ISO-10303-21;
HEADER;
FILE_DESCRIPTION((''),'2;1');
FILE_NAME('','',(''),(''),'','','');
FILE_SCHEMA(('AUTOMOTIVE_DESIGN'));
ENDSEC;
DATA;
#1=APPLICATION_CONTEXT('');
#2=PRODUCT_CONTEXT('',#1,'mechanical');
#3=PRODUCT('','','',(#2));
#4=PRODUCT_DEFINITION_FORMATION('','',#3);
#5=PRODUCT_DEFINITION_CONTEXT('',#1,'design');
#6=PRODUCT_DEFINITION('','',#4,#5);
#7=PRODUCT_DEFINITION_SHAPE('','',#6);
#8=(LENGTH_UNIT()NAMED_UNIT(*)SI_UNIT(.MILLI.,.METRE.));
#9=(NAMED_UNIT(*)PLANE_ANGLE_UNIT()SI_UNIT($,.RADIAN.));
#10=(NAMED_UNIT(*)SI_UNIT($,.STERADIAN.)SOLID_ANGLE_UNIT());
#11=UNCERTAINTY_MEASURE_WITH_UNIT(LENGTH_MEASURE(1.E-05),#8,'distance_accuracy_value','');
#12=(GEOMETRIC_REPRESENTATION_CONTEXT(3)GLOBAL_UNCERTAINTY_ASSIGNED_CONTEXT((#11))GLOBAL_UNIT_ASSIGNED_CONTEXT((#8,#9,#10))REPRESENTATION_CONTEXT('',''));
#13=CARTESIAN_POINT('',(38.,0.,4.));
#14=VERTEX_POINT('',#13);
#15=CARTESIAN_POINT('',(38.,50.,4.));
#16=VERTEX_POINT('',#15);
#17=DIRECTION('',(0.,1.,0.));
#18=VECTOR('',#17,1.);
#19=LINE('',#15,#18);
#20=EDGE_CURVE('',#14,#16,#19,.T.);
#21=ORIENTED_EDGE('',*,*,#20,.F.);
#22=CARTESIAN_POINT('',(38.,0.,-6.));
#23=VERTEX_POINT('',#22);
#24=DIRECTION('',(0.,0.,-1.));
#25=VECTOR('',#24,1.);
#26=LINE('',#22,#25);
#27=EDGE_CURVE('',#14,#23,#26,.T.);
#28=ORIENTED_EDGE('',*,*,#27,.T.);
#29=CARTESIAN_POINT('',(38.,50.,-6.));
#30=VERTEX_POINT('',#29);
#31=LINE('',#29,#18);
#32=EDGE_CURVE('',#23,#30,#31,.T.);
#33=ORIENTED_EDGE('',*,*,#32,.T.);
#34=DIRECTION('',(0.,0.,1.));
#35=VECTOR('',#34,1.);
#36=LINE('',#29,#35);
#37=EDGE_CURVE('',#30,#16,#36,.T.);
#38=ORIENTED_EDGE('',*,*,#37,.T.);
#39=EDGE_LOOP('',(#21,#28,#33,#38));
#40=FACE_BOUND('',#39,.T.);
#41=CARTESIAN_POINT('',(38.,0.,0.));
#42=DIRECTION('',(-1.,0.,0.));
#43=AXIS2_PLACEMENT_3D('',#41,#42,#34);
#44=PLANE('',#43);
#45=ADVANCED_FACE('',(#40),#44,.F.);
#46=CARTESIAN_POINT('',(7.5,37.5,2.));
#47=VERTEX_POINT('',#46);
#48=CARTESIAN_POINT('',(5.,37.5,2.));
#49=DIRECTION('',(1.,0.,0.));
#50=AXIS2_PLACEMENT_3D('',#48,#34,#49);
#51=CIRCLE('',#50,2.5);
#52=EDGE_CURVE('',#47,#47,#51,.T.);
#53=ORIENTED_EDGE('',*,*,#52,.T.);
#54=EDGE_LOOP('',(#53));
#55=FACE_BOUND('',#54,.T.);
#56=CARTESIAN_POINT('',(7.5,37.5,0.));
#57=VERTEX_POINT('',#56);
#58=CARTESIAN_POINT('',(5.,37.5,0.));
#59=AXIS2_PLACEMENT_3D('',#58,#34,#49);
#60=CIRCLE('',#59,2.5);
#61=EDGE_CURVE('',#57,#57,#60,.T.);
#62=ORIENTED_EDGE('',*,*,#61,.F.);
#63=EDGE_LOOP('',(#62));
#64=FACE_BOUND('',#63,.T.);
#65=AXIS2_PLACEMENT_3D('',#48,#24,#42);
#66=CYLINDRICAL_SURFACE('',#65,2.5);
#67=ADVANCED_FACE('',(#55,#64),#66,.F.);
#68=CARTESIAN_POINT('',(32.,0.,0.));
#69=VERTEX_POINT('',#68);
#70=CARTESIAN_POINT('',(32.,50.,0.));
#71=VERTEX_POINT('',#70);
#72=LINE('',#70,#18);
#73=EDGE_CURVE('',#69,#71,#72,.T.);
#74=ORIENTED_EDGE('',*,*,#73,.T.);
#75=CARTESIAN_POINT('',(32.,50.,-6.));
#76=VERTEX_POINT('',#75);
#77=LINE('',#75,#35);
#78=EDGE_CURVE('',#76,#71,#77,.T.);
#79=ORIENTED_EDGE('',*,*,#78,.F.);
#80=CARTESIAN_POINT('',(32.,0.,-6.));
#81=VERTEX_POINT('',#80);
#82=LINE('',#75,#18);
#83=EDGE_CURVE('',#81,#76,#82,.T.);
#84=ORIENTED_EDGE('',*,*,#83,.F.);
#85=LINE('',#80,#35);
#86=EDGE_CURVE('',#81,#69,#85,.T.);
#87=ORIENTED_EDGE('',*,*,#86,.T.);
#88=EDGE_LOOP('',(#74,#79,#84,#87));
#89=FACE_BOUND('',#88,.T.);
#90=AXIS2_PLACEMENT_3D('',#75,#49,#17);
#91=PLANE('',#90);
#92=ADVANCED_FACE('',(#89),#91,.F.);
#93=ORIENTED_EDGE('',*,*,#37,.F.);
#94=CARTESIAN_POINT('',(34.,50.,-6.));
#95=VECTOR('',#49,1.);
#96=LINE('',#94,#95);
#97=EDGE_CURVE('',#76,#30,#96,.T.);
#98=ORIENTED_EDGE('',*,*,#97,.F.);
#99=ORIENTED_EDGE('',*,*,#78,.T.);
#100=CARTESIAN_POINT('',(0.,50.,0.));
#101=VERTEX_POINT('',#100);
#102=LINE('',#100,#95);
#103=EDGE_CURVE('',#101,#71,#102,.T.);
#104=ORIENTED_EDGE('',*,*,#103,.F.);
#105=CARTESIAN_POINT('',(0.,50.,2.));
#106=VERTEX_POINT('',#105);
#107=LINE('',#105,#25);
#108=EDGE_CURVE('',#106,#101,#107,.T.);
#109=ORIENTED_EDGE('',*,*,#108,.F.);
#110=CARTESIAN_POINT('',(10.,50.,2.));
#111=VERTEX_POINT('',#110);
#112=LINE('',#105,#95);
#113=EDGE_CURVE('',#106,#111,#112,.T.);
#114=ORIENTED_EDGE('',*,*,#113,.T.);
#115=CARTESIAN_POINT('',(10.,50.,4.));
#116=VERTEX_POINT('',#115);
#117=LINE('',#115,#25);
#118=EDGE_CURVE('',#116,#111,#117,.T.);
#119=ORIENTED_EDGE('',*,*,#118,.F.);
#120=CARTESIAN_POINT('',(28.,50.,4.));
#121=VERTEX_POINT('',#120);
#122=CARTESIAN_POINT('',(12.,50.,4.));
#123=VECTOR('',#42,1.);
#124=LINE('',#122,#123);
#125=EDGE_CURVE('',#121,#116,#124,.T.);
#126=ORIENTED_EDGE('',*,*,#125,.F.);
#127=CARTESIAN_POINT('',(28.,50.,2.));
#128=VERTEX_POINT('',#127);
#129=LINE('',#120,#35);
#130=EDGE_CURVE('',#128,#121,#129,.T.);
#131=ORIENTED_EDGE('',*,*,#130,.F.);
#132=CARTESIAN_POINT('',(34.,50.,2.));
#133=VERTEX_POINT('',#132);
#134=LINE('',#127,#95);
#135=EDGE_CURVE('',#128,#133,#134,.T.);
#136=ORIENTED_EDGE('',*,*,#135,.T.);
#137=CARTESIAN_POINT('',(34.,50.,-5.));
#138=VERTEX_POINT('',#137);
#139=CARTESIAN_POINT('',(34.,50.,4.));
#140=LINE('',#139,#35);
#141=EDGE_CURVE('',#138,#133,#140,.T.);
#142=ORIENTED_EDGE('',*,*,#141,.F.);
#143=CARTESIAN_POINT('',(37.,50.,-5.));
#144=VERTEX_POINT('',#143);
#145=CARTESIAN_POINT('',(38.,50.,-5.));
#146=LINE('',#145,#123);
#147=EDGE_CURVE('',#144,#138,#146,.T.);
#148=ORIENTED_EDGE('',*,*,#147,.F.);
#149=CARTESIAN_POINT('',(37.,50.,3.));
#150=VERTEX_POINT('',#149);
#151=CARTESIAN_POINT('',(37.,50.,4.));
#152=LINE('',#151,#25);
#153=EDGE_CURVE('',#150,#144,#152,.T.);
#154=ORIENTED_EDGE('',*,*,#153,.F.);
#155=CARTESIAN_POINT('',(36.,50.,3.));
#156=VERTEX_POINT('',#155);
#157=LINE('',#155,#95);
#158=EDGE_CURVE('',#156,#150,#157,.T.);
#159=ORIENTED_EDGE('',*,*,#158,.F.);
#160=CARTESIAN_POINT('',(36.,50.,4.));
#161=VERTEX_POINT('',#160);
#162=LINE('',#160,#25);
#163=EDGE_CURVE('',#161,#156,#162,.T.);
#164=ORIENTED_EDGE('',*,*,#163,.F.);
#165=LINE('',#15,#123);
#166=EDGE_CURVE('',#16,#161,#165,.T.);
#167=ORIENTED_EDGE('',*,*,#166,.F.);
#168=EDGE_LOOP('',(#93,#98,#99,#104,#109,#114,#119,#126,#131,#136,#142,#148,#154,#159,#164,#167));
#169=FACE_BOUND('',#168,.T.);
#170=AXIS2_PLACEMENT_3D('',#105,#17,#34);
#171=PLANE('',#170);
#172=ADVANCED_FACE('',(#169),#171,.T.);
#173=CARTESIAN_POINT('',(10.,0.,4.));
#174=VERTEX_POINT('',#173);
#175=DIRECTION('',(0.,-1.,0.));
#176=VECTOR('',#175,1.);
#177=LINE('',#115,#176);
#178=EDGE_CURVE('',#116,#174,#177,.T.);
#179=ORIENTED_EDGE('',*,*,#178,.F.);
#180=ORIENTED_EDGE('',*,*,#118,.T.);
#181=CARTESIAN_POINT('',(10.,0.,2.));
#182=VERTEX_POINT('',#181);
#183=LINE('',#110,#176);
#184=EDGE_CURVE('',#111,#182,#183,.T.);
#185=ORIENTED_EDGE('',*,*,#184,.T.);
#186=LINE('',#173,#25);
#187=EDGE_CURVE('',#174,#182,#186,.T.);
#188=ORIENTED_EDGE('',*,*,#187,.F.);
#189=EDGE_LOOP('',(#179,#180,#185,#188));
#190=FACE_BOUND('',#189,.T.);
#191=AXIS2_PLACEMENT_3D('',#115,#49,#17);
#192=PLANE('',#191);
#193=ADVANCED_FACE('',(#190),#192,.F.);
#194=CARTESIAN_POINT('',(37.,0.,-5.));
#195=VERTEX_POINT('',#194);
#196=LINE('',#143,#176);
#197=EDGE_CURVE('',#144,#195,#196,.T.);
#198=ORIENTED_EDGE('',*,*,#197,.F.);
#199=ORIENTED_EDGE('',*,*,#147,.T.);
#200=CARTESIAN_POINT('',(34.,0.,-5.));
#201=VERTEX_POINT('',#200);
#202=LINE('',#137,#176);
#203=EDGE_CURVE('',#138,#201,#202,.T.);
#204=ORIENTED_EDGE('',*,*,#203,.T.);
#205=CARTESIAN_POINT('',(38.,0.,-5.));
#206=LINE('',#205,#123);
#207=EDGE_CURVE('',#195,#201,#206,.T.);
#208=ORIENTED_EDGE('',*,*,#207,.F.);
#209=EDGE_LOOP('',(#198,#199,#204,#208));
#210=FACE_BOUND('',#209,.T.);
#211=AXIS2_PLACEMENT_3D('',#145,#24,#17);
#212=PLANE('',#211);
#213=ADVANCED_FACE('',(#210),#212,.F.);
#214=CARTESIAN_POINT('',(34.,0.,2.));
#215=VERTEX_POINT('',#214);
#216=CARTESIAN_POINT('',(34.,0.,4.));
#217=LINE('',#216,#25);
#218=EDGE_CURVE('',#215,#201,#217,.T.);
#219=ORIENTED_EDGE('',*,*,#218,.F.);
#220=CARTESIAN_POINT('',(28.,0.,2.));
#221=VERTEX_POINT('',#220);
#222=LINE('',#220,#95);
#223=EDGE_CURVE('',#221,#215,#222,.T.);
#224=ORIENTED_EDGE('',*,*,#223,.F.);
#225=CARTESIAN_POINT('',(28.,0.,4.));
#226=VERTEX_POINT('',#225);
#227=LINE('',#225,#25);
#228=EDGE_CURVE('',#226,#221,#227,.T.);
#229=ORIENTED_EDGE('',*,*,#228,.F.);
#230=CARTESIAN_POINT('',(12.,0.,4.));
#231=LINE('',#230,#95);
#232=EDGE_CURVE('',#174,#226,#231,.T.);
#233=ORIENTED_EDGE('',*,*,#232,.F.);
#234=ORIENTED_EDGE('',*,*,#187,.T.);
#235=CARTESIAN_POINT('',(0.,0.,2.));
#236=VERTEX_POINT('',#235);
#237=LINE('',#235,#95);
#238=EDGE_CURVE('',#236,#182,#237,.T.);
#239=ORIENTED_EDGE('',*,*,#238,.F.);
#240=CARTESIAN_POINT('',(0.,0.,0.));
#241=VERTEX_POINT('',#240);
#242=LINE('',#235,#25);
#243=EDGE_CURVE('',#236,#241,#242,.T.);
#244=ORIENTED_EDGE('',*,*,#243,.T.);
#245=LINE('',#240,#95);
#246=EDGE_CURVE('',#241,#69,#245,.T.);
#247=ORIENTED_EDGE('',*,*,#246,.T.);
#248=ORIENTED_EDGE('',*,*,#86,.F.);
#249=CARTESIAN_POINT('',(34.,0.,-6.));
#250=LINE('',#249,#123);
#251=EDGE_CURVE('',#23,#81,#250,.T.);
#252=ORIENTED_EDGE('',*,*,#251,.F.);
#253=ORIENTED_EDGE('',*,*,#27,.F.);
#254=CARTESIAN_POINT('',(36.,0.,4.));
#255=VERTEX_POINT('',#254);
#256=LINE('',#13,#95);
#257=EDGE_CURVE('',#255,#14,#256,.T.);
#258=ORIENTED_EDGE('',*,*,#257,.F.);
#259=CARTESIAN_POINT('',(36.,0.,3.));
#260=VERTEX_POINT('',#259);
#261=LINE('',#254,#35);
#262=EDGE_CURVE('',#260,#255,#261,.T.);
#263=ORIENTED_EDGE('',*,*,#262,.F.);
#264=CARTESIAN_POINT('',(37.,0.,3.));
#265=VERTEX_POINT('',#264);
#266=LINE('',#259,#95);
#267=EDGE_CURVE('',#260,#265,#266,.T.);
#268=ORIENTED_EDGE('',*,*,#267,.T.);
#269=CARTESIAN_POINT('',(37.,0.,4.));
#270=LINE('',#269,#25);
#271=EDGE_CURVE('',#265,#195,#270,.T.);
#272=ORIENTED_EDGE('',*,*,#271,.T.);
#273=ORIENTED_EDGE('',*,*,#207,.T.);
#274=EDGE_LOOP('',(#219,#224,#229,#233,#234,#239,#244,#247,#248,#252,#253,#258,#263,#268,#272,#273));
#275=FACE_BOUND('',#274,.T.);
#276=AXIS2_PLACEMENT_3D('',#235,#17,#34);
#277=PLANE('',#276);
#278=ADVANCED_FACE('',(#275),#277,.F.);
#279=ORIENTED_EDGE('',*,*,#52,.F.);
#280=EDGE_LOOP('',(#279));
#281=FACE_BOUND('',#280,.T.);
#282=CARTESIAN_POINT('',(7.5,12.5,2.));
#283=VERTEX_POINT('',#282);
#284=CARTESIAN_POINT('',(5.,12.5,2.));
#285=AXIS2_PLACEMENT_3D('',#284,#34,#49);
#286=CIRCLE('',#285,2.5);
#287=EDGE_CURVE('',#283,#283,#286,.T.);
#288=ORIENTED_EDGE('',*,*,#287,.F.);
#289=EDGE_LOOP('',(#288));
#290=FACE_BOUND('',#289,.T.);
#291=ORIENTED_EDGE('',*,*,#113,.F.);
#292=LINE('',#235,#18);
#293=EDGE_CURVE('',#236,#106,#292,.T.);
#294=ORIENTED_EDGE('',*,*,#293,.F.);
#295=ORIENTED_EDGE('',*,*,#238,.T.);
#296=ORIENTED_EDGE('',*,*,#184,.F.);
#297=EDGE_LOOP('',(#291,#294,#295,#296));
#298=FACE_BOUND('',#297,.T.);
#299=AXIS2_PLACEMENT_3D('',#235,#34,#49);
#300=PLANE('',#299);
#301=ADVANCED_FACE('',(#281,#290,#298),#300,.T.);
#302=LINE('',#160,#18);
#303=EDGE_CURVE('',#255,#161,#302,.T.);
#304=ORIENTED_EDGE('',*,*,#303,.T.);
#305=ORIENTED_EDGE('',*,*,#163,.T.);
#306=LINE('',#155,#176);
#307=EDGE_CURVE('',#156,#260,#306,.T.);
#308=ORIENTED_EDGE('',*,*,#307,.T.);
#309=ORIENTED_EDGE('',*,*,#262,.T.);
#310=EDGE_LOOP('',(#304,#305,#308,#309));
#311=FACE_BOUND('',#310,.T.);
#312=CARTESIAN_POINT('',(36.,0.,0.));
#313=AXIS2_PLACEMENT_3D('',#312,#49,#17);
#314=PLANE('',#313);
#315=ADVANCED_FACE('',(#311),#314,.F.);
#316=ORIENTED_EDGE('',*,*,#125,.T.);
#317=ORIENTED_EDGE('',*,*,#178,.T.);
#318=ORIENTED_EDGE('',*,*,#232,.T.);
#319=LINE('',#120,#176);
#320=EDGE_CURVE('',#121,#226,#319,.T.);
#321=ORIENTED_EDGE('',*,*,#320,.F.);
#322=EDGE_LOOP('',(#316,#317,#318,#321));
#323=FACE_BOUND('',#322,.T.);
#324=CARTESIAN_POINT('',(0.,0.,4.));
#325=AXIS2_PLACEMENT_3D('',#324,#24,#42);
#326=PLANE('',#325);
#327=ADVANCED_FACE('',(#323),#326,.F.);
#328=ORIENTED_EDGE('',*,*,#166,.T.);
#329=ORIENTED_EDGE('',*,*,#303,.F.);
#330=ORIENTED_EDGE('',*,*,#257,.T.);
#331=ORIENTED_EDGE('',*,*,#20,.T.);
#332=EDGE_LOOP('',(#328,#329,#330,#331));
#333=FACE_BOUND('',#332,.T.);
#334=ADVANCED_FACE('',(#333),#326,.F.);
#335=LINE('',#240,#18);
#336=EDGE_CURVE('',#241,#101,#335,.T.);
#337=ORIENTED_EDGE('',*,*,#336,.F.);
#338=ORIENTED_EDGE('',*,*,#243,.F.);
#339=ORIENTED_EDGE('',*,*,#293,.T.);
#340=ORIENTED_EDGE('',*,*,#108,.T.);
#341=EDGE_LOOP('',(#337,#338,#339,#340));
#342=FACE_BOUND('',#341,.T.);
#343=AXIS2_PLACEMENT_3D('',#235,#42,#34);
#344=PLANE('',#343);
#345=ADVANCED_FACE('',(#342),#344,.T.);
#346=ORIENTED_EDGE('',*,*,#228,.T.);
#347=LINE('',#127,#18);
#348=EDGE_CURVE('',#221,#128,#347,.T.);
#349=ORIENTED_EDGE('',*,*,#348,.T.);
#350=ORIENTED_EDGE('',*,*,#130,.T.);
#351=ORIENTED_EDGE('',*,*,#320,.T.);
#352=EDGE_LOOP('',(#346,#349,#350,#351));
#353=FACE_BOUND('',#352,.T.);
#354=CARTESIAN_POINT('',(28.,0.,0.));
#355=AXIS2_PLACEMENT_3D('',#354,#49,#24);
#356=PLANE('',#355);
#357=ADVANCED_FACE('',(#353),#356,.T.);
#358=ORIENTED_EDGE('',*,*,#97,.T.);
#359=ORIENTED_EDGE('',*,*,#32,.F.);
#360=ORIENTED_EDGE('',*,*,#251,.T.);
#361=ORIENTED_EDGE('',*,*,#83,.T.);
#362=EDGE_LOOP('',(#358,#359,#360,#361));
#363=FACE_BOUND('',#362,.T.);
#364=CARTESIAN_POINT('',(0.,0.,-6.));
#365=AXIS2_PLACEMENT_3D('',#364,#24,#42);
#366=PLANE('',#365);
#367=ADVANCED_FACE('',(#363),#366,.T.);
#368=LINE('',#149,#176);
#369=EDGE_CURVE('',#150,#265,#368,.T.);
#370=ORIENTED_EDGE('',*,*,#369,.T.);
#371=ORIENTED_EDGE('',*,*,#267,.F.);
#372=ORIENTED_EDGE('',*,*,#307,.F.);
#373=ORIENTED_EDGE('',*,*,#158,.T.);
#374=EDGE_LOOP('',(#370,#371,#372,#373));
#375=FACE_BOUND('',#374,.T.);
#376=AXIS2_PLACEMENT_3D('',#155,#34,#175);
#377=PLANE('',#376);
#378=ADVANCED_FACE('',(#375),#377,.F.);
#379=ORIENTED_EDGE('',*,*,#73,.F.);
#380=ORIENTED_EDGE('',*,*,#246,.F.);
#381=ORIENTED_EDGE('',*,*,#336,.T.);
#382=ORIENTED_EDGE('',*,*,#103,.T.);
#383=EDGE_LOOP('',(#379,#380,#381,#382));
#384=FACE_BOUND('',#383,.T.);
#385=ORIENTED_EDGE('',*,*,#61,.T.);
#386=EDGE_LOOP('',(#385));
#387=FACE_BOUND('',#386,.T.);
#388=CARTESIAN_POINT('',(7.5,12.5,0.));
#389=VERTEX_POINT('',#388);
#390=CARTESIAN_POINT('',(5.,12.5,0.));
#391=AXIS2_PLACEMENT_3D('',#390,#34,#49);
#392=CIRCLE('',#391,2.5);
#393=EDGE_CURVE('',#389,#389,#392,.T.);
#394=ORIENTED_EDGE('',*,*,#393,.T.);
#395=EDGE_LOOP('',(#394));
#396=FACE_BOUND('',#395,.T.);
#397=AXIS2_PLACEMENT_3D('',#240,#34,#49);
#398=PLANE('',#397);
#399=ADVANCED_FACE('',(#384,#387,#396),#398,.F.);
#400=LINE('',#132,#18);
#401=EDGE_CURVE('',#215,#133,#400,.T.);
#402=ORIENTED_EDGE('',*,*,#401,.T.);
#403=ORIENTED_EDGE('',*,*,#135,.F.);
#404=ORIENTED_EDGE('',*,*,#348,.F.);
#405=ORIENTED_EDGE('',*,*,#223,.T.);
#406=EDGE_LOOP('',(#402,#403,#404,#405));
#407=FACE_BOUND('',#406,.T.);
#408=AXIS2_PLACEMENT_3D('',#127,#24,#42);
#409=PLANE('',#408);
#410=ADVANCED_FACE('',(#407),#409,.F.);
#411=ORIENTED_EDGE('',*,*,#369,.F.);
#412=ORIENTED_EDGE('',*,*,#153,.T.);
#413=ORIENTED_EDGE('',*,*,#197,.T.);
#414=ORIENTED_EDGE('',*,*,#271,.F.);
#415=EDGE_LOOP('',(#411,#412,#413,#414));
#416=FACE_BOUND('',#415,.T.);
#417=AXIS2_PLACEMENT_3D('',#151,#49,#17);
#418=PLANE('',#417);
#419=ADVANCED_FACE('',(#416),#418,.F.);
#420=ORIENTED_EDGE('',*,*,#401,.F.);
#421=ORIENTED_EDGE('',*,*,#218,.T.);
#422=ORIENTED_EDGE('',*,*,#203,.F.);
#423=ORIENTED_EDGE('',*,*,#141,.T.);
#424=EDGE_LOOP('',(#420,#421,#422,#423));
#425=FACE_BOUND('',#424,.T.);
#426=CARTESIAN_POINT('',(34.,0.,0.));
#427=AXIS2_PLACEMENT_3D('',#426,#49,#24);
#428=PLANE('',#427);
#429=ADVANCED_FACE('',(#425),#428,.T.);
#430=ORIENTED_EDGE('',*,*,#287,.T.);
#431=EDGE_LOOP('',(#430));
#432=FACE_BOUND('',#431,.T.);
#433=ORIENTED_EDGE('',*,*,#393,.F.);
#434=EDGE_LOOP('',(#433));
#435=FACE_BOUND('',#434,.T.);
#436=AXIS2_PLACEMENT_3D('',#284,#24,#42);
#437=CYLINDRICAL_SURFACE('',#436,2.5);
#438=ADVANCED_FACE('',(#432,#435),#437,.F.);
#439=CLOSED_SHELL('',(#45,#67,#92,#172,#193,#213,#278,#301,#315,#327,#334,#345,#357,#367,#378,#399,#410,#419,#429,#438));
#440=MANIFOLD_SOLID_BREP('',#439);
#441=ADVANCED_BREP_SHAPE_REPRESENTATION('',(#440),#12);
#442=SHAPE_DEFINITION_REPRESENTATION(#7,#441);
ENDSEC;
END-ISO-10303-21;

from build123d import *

# Parameters (mm, degrees)
ESQUISSE1_W             = 10
ESQUISSE1_H             = 50
ESQUISSE1_R             = 2.5
ESQUISSE1_W_2           = 2
BOSS_EXTRU_1_DEPTH      = 2
ESQUISSE2_W             = 2
ESQUISSE2_H             = 50
BOSS_EXTRU_2_DEPTH      = 2
ESQUISSE3_W             = 4
ESQUISSE3_H             = 50
BOSS_EXTRU_3_DEPTH      = 22
ESQUISSE4_W             = 2
ESQUISSE4_H             = 50
BOSS_EXTRU_4_DEPTH      = 6
ESQUISSE5_W             = 2
ESQUISSE5_H             = 50
ENL_V_MAT_EXTRU_1_DEPTH = 6
ESQUISSE6_W             = 1
ESQUISSE6_H             = 50
BOSS_EXTRU_5_DEPTH      = 4
ESQUISSE7_W             = 1
ESQUISSE7_H             = 50
BOSS_EXTRU_6_DEPTH      = 9
ESQUISSE8_W             = 1
ESQUISSE8_H             = 50
BOSS_EXTRU_7_DEPTH      = 1


with BuildPart() as part:
    # Esquisse1 → Boss.-Extru.1 (new body)
    with BuildSketch(Plane.XY):
        with Locations((5, 25)):
            Rectangle(ESQUISSE1_W, ESQUISSE1_H)
        with Locations((5, 12.5)):
            Circle(ESQUISSE1_R, mode=Mode.SUBTRACT)
        with Locations((5, 37.5)):
            Circle(ESQUISSE1_R, mode=Mode.SUBTRACT)
        with Locations((11, 25)):
            Rectangle(ESQUISSE1_W_2, ESQUISSE1_H)
    extrude(amount=BOSS_EXTRU_1_DEPTH)

    # Esquisse2 → Boss.-Extru.2 (add)
    with BuildSketch(Plane.XY.offset(2)):
        with Locations((11, 25)):
            Rectangle(ESQUISSE2_W, ESQUISSE2_H)
    extrude(amount=BOSS_EXTRU_2_DEPTH)

    # Esquisse3 → Boss.-Extru.3 (add)
    with BuildSketch(Plane(origin=(12, 0, 0), x_dir=(0, 0, -1), z_dir=(1, 0, 0))):
        with Locations((-2, 25)):
            Rectangle(ESQUISSE3_W, ESQUISSE3_H)
    extrude(amount=BOSS_EXTRU_3_DEPTH)

    # Esquisse4 → Boss.-Extru.4 (add)
    with BuildSketch(Plane(origin=(0, 0, 0), x_dir=(-1, 0, 0), z_dir=(0, 0, -1))):
        with Locations((-33, 25)):
            Rectangle(ESQUISSE4_W, ESQUISSE4_H)
    extrude(amount=BOSS_EXTRU_4_DEPTH)

    # Esquisse5 → Enlèv. mat.-Extru.1 (cut)
    with BuildSketch(Plane(origin=(34, 0, 0), x_dir=(0, 0, -1), z_dir=(1, 0, 0))):
        with Locations((-3, 25)):
            Rectangle(ESQUISSE5_W, ESQUISSE5_H)
    extrude(amount=-ENL_V_MAT_EXTRU_1_DEPTH, mode=Mode.SUBTRACT)

    # Esquisse6 → Boss.-Extru.5 (add)
    with BuildSketch(Plane(origin=(34, 0, 0), x_dir=(0, 0, -1), z_dir=(1, 0, 0))):
        with Locations((5.5, 25)):
            Rectangle(ESQUISSE6_W, ESQUISSE6_H)
    extrude(amount=BOSS_EXTRU_5_DEPTH)

    # Esquisse7 → Boss.-Extru.6 (add)
    with BuildSketch(Plane.XY.offset(-5)):
        with Locations((37.5, 25)):
            Rectangle(ESQUISSE7_W, ESQUISSE7_H)
    extrude(amount=BOSS_EXTRU_6_DEPTH)

    # Esquisse8 → Boss.-Extru.7 (add)
    with BuildSketch(Plane.ZY.offset(-37)):
        with Locations((3.5, 25)):
            Rectangle(ESQUISSE8_W, ESQUISSE8_H)
    extrude(amount=BOSS_EXTRU_7_DEPTH)


solid = part.part
